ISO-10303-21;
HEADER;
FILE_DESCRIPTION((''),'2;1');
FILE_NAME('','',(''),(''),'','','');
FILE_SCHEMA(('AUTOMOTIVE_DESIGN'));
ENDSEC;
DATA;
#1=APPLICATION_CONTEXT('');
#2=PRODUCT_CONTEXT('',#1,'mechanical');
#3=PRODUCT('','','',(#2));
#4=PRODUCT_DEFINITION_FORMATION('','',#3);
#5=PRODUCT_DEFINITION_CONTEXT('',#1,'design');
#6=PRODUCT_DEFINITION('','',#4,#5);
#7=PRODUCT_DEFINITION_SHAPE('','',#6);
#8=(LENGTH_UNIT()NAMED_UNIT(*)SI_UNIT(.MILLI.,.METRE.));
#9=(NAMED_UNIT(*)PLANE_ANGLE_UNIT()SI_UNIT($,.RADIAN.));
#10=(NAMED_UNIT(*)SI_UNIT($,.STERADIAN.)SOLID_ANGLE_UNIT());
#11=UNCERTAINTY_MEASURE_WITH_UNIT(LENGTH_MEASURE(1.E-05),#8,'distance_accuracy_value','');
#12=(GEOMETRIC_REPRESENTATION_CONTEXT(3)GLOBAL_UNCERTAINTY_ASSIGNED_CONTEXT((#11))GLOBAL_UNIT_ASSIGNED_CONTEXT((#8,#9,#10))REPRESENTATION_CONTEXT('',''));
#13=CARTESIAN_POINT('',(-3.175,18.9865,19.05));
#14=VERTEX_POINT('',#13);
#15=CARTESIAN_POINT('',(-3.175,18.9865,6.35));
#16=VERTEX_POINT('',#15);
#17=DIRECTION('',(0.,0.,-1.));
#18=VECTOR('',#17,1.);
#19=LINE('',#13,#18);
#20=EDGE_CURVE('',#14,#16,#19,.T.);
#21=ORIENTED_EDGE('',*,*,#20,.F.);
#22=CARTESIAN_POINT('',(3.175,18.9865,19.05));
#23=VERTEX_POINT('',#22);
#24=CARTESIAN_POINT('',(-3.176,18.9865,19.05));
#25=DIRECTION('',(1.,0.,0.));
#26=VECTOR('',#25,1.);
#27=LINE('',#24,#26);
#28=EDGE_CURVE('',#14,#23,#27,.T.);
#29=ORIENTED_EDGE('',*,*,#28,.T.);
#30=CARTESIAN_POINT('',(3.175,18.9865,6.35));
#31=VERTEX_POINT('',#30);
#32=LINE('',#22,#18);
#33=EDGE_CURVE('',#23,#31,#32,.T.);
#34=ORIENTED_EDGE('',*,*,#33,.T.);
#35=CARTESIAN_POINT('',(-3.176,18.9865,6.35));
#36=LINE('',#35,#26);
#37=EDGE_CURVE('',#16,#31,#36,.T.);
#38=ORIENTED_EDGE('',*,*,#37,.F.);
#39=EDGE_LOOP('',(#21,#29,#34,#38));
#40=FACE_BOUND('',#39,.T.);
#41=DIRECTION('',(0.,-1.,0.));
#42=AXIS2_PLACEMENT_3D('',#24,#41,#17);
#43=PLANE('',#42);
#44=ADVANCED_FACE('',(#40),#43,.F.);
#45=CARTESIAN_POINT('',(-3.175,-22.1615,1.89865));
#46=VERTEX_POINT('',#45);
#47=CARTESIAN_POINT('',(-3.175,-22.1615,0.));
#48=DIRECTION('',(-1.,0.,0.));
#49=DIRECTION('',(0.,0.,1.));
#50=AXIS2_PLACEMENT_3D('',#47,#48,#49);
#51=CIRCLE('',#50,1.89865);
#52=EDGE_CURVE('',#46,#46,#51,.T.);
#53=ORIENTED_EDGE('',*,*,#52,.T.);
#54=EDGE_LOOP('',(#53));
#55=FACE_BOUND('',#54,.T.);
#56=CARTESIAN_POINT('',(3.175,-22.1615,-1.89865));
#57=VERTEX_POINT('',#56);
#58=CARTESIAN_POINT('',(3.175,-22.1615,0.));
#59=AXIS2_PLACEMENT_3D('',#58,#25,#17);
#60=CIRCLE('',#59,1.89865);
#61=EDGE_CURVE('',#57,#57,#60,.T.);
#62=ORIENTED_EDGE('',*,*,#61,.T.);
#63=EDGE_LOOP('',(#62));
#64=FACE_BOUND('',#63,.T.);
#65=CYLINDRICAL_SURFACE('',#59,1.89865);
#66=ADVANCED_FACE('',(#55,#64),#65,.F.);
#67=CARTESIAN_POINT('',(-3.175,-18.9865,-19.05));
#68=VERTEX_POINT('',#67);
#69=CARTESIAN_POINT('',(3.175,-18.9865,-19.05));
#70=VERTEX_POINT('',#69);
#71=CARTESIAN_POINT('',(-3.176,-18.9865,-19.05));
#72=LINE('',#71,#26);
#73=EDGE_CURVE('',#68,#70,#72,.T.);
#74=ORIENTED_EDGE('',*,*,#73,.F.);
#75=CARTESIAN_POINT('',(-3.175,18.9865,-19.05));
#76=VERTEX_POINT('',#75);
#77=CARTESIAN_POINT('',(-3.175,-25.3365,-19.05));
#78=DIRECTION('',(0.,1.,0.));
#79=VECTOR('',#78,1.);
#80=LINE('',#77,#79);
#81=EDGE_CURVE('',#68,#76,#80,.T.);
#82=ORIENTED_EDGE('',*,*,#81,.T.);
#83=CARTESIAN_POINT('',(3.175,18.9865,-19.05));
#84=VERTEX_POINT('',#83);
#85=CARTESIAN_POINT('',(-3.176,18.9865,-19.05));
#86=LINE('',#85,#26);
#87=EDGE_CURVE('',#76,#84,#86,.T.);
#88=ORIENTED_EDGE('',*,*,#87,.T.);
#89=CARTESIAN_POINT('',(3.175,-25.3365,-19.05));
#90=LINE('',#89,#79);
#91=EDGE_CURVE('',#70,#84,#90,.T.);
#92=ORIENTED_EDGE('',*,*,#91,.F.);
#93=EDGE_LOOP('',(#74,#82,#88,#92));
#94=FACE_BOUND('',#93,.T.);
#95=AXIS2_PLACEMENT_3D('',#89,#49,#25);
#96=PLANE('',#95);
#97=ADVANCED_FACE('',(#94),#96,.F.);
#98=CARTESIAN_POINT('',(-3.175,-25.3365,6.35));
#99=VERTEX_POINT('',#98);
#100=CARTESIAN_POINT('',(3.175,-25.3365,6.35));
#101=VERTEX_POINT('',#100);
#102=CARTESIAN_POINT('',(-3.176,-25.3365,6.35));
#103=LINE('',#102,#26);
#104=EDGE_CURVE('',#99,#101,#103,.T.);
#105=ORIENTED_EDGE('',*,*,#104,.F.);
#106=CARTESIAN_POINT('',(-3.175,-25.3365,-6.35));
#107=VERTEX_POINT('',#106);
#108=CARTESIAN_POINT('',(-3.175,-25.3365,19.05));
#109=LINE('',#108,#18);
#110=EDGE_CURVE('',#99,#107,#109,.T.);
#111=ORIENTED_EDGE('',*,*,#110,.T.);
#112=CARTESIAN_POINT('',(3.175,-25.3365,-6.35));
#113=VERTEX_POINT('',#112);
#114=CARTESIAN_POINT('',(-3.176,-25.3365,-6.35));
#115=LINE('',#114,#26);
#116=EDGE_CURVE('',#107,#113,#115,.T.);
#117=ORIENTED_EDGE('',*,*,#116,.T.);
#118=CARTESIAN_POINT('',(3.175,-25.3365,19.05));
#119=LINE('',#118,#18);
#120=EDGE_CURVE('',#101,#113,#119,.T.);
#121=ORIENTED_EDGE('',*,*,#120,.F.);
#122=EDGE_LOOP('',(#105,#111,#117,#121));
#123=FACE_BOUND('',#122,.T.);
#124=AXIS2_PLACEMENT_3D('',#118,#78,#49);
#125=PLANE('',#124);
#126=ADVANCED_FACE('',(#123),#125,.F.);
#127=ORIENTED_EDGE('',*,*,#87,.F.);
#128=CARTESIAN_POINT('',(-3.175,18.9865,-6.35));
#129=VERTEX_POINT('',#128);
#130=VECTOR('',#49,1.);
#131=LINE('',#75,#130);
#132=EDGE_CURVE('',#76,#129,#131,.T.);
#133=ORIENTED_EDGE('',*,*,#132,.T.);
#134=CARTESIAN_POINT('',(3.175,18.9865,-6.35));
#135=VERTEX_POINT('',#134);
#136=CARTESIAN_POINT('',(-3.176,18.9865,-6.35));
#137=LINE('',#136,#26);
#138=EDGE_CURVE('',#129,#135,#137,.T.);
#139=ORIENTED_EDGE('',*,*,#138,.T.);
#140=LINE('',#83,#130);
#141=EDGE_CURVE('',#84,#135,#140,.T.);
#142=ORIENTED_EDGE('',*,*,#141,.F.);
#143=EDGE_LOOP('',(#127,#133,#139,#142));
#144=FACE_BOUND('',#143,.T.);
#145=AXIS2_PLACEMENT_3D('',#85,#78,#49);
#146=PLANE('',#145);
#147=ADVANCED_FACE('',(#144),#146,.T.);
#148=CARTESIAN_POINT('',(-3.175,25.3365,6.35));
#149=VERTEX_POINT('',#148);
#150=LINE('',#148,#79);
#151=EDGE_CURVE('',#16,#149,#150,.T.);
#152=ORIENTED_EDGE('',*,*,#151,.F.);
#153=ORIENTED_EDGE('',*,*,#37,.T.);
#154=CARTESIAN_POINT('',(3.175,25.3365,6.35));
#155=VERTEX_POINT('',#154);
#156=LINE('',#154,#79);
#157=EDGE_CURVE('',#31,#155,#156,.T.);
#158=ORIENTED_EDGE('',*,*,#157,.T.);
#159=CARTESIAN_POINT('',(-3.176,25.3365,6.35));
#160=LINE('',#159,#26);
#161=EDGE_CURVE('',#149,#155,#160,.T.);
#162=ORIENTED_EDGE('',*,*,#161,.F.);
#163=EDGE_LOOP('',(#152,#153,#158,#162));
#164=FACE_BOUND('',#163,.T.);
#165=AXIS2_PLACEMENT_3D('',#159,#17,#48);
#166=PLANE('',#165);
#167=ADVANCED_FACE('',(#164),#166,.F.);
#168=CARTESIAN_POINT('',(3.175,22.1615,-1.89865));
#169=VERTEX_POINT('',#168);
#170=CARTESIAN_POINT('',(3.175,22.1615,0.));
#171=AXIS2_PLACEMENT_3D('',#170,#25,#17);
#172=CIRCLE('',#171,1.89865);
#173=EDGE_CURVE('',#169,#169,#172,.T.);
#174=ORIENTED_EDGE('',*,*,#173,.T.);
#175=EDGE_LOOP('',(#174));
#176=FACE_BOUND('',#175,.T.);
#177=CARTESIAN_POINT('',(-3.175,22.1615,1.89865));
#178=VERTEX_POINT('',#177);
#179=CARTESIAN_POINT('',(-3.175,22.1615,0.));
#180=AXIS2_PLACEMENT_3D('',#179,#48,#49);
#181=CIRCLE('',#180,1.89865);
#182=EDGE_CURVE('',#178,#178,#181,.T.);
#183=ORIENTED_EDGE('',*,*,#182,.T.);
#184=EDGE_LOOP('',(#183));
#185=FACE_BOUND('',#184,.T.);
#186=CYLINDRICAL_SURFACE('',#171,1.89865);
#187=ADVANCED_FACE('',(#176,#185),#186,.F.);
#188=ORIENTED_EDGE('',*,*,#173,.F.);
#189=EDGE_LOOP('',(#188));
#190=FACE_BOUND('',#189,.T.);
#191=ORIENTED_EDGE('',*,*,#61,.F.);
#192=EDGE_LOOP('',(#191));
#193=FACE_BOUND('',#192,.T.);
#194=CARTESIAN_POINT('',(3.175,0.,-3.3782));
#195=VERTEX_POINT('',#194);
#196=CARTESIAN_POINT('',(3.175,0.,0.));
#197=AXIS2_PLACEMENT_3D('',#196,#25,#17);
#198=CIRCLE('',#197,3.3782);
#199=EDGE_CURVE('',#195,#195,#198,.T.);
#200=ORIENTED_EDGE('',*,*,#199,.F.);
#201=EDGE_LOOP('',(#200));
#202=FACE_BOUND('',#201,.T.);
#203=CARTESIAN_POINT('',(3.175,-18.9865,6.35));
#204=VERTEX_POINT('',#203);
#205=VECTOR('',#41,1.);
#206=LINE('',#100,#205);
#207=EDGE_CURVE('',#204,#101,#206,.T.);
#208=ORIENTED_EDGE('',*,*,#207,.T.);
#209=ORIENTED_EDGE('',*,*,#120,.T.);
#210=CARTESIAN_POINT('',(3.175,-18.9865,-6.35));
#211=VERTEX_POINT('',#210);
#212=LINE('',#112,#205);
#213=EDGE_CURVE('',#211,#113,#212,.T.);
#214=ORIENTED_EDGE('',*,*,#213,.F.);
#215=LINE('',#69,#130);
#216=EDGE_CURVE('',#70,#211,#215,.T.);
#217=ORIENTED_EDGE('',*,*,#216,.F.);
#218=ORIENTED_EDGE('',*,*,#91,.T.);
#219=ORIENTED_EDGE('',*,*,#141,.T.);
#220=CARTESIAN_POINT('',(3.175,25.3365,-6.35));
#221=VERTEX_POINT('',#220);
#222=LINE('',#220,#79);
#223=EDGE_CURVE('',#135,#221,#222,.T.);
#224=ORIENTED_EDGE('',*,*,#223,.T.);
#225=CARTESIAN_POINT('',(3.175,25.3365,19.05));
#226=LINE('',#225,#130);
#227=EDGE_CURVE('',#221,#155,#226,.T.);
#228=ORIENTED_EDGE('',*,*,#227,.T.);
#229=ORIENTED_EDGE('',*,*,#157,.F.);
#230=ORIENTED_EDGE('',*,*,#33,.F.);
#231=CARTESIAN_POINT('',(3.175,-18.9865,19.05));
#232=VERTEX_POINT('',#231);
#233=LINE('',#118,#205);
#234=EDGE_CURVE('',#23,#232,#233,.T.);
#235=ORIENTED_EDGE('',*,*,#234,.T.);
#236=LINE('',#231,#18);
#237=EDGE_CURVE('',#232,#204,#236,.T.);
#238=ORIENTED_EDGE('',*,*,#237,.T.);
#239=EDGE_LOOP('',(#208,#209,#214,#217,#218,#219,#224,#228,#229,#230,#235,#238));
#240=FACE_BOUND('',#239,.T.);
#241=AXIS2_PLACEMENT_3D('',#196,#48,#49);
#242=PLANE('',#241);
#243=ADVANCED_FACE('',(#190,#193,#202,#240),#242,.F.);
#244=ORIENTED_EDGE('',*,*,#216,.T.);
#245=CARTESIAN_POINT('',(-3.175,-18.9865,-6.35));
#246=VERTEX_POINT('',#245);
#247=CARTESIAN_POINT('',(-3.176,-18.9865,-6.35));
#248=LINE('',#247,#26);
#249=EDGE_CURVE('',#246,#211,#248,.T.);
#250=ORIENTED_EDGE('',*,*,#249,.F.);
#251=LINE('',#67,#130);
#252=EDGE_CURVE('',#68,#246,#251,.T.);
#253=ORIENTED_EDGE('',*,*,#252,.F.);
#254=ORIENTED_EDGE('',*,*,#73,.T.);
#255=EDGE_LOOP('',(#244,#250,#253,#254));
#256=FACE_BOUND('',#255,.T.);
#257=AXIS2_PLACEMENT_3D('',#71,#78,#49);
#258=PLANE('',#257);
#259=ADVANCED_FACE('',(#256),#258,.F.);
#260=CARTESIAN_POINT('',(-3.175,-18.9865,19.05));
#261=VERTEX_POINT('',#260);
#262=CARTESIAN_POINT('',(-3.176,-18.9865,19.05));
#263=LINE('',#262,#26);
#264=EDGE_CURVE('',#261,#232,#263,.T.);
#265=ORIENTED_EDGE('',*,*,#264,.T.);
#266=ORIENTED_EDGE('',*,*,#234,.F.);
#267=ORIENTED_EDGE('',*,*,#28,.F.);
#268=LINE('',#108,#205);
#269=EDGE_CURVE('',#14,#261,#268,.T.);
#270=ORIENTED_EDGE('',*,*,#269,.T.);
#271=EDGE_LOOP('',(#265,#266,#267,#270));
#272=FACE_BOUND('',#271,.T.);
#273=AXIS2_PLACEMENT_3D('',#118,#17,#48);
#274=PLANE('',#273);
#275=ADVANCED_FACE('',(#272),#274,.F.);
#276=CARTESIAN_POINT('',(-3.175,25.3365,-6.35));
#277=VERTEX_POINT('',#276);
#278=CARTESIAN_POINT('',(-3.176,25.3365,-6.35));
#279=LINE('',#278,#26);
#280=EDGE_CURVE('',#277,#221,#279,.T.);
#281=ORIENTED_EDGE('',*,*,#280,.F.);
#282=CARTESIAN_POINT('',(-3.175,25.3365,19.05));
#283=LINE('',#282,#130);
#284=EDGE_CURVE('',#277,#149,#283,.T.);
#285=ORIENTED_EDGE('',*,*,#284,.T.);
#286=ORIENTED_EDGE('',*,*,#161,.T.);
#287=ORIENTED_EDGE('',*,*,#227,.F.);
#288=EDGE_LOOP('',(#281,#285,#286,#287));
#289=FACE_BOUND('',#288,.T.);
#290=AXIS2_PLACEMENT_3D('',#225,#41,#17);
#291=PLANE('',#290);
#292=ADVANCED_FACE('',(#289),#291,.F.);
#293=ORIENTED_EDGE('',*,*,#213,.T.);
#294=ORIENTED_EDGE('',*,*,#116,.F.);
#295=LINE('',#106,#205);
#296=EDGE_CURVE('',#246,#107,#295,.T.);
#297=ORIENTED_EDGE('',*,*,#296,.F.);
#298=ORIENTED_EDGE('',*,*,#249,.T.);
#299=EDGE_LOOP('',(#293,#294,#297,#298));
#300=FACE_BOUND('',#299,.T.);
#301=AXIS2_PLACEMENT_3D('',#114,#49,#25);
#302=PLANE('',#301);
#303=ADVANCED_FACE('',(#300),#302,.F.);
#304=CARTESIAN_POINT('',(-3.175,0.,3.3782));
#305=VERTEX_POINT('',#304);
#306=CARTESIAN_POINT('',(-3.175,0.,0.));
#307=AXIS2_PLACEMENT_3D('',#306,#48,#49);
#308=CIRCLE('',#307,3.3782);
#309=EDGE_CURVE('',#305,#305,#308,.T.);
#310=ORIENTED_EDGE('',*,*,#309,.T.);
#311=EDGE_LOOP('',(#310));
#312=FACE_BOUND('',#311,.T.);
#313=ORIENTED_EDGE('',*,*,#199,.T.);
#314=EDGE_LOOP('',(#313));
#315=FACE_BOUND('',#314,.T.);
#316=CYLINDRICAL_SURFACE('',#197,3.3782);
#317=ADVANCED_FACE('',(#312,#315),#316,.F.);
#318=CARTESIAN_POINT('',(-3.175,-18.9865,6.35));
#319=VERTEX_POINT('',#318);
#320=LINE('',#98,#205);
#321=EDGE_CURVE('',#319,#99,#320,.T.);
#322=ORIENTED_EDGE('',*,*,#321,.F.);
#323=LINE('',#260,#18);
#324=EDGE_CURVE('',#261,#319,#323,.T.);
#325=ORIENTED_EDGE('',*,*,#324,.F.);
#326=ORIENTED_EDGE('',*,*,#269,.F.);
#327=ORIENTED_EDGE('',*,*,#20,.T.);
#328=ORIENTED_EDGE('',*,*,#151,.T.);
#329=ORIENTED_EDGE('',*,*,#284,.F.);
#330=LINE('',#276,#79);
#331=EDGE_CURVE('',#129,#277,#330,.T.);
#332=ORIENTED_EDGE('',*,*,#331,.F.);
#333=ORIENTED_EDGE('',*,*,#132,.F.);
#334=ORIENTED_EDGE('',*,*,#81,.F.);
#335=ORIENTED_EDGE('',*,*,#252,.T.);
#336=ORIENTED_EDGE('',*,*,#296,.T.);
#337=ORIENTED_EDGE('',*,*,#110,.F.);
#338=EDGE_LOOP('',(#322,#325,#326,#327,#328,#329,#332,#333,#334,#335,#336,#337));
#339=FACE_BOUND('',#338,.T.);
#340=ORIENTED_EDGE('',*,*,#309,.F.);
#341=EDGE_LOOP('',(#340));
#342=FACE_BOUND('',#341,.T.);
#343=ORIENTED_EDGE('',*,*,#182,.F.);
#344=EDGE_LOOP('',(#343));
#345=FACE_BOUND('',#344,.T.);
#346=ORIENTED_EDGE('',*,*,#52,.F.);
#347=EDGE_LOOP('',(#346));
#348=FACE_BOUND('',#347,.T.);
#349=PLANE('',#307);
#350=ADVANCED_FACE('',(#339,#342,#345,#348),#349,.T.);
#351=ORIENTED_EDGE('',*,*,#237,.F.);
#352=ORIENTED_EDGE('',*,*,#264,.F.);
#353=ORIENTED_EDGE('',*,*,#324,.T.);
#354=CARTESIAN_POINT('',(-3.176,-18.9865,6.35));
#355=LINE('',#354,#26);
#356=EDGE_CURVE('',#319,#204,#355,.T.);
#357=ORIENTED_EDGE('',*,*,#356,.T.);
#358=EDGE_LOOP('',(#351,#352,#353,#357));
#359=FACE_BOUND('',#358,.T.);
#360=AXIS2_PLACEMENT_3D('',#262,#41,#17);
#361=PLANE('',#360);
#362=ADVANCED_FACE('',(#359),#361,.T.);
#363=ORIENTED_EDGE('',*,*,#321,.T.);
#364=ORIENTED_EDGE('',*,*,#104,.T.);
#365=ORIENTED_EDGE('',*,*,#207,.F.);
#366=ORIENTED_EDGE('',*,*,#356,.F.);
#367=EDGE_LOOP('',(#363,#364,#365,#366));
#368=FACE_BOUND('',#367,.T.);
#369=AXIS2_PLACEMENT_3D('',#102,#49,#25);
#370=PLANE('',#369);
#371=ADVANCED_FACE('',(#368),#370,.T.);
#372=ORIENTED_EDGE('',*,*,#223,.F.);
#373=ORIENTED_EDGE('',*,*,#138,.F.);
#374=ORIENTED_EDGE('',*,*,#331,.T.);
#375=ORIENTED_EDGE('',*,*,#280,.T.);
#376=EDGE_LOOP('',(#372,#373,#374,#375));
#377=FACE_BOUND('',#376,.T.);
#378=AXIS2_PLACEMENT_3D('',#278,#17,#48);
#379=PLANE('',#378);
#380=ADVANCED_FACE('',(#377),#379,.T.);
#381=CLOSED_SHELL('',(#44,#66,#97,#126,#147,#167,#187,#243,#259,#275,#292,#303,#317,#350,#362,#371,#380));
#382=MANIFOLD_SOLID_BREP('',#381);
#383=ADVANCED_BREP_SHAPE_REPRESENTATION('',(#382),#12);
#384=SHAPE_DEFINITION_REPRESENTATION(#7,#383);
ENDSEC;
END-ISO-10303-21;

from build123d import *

# Parameters (mm, degrees)
SKETCH1_W               = 38.1
SKETCH1_H               = 50.673
BOSS_EXTRUDE1_DEPTH     = 3.175
CUT_EXTRUDE1_REACH      = 34.329
SKETCH2_W               = 12.7
SKETCH2_H               = 6.35
MIRROR2_COPY_1_REACH    = 34.329
MIRROR2_COPY_1_SKETCH_W = 12.7
MIRROR2_COPY_1_SKETCH_H = 6.35
F_1_4_CLEARANCE_HOLE1_D = 6.7564


with BuildPart() as part:
    # Sketch1 → Boss-Extrude1 (new, symmetric)
    with BuildSketch(Plane(origin=(0, 0, 0), x_dir=(0, 0, -1), z_dir=(1, 0, 0))):
        Rectangle(SKETCH1_W, SKETCH1_H)
    extrude(amount=BOSS_EXTRUDE1_DEPTH, both=True)

    # Sketch2 → Cut-Extrude1 (cut, up to next)
    with BuildSketch(Plane(origin=(3.175, 0, 0), x_dir=(0, 0, -1), z_dir=(1, 0, 0)), mode=Mode.PRIVATE) as cut_extrude1_sk1:
        with Locations((-12.7, 22.1615)):
            Rectangle(SKETCH2_W, SKETCH2_H)
    cut_extrude1_tool1 = extrude(cut_extrude1_sk1.sketch, amount=-CUT_EXTRUDE1_REACH, mode=Mode.PRIVATE) & part.part
    cut_extrude1 = cut_extrude1_tool1.solids().sort_by_distance((3.175, 22.1615, 12.7))[0]
    add(cut_extrude1, mode=Mode.SUBTRACT)

    # Mirror1: Cut-Extrude1 across plane
    add(cut_extrude1.mirror(Plane.XY), mode=Mode.SUBTRACT)

    # Sketch3 → #6 Clearance Hole1 (revolve, cut)
    with BuildSketch(Plane(origin=(3.175, 22.1615, 0), x_dir=(0, 0, -1), z_dir=(0, 1, 0))):
        Polygon((0, 0), (0, 10.030824014), (1.89865, 8.89), (1.89865, 0), align=None)
    f_6_clearance_hole1 = revolve(axis=Axis((9.525, 22.1615, 0), (-1, 0, 0)), mode=Mode.SUBTRACT)

    # Mirror2: Cut-Extrude1, #6 Clearance Hole1 across plane
    add(cut_extrude1.mirror(Plane.ZX), mode=Mode.SUBTRACT)
    add(f_6_clearance_hole1.mirror(Plane.ZX), mode=Mode.SUBTRACT)

    # Mirror2 copy 1 sketch → Mirror2 copy 1 (cut, up to next)
    with BuildSketch(Plane(origin=(3.175, 0, 0), x_dir=(0, 0, 1), z_dir=(1, 0, 0)), mode=Mode.PRIVATE) as mirror2_copy_1_sk1:
        with Locations((-12.7, 22.1615)):
            Rectangle(MIRROR2_COPY_1_SKETCH_W, MIRROR2_COPY_1_SKETCH_H)
    mirror2_copy_1_tool1 = extrude(mirror2_copy_1_sk1.sketch, amount=-MIRROR2_COPY_1_REACH, mode=Mode.PRIVATE) & part.part
    add(mirror2_copy_1_tool1.solids().sort_by_distance((3.175, -22.1615, -12.7))[0], mode=Mode.SUBTRACT)

    # 1/4 Clearance Hole1 (through all)
    with Locations(Plane(origin=(3.175, 0, 0), x_dir=(0, 0, -1), z_dir=(1, 0, 0))):
        with Locations((0, 0)):
            Hole(F_1_4_CLEARANCE_HOLE1_D / 2)


solid = part.part
